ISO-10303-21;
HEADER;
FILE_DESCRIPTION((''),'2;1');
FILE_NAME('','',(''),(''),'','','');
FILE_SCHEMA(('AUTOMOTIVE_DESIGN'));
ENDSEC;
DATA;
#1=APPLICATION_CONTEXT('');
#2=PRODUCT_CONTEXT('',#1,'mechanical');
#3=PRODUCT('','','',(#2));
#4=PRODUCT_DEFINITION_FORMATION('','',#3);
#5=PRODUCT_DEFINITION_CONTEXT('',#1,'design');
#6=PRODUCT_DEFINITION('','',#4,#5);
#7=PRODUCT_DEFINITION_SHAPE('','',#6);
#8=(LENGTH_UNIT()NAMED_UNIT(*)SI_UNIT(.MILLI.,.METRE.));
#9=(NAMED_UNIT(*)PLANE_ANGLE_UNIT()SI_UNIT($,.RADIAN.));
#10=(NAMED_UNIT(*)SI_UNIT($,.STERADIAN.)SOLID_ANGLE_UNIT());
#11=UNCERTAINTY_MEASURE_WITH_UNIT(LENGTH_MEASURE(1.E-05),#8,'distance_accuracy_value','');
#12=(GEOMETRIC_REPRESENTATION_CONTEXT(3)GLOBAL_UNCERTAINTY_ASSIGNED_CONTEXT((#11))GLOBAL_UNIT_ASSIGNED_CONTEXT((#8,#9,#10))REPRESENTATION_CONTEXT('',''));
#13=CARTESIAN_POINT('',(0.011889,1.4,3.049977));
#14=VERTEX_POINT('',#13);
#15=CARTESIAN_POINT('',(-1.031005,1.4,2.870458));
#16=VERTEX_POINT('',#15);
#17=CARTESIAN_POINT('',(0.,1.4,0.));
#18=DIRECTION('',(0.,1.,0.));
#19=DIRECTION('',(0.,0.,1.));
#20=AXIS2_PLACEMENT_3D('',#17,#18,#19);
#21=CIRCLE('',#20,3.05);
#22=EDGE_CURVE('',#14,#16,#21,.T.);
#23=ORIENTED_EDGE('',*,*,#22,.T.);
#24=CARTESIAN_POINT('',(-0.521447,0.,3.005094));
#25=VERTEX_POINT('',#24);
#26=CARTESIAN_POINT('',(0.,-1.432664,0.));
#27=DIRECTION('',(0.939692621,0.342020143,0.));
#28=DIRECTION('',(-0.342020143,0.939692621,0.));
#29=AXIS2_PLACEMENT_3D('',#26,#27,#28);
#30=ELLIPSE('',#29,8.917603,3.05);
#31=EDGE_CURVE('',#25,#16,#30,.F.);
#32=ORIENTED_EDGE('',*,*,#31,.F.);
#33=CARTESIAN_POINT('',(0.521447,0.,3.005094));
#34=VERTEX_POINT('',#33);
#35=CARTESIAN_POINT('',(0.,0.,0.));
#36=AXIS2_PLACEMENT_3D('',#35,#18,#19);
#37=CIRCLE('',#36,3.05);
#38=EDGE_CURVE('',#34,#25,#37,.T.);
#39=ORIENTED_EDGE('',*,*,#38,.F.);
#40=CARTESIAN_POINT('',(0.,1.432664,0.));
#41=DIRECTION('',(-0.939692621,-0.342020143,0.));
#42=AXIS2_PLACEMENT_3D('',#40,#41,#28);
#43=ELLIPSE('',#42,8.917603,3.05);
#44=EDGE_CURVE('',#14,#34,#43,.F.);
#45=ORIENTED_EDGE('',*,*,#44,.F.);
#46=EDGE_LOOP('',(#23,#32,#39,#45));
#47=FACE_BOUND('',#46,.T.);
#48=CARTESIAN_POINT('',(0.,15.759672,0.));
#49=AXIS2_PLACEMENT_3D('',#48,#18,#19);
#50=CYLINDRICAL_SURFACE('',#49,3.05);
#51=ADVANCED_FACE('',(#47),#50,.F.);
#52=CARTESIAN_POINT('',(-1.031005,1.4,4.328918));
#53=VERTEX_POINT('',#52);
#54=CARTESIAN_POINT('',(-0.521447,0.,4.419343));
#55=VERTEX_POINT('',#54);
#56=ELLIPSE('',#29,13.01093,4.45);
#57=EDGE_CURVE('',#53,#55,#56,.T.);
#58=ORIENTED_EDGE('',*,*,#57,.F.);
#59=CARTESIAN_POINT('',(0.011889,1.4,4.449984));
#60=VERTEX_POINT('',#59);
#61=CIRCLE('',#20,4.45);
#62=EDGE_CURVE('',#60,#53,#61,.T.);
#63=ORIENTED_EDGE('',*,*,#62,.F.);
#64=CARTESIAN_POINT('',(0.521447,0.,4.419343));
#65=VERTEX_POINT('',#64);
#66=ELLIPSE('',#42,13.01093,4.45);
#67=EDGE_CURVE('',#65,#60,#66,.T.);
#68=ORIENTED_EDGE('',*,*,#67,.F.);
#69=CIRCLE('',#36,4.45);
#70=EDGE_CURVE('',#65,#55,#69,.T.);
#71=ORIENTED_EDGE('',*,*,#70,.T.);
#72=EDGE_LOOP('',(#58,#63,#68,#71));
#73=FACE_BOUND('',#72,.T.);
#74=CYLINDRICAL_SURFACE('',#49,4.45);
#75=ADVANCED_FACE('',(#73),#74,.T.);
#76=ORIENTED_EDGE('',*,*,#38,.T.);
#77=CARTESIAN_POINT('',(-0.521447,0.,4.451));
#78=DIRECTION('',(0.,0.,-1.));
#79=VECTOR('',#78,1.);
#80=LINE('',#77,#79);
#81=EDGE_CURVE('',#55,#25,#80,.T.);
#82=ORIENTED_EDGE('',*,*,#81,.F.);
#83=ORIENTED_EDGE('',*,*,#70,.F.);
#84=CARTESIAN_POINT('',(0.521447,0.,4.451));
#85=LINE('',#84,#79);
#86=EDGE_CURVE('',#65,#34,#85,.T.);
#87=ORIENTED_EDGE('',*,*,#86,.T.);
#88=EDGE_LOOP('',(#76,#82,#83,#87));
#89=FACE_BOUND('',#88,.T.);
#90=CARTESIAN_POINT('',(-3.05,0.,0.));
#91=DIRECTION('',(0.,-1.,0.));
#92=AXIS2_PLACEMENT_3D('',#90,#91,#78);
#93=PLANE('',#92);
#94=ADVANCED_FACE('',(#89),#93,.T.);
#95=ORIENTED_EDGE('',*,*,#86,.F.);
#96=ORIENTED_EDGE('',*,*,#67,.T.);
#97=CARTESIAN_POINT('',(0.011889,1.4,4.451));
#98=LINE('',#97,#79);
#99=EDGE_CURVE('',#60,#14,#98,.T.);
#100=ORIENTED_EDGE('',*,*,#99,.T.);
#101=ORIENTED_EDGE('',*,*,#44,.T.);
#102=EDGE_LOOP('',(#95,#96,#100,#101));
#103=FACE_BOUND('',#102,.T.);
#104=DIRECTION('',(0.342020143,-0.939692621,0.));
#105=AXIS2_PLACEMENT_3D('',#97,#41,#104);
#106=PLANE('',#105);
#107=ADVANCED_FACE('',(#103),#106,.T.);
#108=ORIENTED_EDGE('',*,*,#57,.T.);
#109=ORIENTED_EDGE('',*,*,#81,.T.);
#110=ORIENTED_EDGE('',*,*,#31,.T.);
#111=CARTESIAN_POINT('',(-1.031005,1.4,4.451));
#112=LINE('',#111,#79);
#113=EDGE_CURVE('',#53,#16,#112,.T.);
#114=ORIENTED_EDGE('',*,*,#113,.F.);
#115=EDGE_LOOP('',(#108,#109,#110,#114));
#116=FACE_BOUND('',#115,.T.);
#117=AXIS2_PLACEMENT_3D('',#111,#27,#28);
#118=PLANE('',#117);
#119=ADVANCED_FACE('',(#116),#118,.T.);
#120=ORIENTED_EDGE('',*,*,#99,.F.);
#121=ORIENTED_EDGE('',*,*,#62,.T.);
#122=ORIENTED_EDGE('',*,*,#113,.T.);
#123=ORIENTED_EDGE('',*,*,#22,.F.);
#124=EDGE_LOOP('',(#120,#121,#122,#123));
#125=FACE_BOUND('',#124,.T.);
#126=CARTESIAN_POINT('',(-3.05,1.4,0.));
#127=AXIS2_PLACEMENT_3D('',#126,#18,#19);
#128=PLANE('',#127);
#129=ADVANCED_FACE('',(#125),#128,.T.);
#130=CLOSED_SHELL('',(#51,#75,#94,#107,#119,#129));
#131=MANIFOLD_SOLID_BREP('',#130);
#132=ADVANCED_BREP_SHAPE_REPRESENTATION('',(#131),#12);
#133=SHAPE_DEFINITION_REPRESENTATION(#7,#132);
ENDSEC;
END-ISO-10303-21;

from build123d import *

# Parameters (mm, degrees)
SKE_W     = 1.4
SKE_H     = 1.4
CUT_REACH = 6.45


with BuildPart() as part:
    # Ske → Base (revolve)
    with BuildSketch(Plane.XY):
        with Locations((-3.75, 0.7)):
            Rectangle(SKE_W, SKE_H)
    revolve(axis=Axis((0, 15.759672306, 0), (0, -1, 0)))

    # Ske4 → Cut (cut, up to next)
    with BuildSketch(Plane.XY, mode=Mode.PRIVATE) as cut_sk1:
        Polygon((-0.521447109, 0), (0.521447109, 0), (0.011888781, 1.4), (-1.031005436, 1.4), align=None)
    cut_tool1 = extrude(cut_sk1.sketch, amount=CUT_REACH, mode=Mode.PRIVATE) & part.part
    add(cut_tool1.solids().sort_by_distance((-0.254779, 0.7, 0))[0], mode=Mode.SUBTRACT)


solid = part.part
